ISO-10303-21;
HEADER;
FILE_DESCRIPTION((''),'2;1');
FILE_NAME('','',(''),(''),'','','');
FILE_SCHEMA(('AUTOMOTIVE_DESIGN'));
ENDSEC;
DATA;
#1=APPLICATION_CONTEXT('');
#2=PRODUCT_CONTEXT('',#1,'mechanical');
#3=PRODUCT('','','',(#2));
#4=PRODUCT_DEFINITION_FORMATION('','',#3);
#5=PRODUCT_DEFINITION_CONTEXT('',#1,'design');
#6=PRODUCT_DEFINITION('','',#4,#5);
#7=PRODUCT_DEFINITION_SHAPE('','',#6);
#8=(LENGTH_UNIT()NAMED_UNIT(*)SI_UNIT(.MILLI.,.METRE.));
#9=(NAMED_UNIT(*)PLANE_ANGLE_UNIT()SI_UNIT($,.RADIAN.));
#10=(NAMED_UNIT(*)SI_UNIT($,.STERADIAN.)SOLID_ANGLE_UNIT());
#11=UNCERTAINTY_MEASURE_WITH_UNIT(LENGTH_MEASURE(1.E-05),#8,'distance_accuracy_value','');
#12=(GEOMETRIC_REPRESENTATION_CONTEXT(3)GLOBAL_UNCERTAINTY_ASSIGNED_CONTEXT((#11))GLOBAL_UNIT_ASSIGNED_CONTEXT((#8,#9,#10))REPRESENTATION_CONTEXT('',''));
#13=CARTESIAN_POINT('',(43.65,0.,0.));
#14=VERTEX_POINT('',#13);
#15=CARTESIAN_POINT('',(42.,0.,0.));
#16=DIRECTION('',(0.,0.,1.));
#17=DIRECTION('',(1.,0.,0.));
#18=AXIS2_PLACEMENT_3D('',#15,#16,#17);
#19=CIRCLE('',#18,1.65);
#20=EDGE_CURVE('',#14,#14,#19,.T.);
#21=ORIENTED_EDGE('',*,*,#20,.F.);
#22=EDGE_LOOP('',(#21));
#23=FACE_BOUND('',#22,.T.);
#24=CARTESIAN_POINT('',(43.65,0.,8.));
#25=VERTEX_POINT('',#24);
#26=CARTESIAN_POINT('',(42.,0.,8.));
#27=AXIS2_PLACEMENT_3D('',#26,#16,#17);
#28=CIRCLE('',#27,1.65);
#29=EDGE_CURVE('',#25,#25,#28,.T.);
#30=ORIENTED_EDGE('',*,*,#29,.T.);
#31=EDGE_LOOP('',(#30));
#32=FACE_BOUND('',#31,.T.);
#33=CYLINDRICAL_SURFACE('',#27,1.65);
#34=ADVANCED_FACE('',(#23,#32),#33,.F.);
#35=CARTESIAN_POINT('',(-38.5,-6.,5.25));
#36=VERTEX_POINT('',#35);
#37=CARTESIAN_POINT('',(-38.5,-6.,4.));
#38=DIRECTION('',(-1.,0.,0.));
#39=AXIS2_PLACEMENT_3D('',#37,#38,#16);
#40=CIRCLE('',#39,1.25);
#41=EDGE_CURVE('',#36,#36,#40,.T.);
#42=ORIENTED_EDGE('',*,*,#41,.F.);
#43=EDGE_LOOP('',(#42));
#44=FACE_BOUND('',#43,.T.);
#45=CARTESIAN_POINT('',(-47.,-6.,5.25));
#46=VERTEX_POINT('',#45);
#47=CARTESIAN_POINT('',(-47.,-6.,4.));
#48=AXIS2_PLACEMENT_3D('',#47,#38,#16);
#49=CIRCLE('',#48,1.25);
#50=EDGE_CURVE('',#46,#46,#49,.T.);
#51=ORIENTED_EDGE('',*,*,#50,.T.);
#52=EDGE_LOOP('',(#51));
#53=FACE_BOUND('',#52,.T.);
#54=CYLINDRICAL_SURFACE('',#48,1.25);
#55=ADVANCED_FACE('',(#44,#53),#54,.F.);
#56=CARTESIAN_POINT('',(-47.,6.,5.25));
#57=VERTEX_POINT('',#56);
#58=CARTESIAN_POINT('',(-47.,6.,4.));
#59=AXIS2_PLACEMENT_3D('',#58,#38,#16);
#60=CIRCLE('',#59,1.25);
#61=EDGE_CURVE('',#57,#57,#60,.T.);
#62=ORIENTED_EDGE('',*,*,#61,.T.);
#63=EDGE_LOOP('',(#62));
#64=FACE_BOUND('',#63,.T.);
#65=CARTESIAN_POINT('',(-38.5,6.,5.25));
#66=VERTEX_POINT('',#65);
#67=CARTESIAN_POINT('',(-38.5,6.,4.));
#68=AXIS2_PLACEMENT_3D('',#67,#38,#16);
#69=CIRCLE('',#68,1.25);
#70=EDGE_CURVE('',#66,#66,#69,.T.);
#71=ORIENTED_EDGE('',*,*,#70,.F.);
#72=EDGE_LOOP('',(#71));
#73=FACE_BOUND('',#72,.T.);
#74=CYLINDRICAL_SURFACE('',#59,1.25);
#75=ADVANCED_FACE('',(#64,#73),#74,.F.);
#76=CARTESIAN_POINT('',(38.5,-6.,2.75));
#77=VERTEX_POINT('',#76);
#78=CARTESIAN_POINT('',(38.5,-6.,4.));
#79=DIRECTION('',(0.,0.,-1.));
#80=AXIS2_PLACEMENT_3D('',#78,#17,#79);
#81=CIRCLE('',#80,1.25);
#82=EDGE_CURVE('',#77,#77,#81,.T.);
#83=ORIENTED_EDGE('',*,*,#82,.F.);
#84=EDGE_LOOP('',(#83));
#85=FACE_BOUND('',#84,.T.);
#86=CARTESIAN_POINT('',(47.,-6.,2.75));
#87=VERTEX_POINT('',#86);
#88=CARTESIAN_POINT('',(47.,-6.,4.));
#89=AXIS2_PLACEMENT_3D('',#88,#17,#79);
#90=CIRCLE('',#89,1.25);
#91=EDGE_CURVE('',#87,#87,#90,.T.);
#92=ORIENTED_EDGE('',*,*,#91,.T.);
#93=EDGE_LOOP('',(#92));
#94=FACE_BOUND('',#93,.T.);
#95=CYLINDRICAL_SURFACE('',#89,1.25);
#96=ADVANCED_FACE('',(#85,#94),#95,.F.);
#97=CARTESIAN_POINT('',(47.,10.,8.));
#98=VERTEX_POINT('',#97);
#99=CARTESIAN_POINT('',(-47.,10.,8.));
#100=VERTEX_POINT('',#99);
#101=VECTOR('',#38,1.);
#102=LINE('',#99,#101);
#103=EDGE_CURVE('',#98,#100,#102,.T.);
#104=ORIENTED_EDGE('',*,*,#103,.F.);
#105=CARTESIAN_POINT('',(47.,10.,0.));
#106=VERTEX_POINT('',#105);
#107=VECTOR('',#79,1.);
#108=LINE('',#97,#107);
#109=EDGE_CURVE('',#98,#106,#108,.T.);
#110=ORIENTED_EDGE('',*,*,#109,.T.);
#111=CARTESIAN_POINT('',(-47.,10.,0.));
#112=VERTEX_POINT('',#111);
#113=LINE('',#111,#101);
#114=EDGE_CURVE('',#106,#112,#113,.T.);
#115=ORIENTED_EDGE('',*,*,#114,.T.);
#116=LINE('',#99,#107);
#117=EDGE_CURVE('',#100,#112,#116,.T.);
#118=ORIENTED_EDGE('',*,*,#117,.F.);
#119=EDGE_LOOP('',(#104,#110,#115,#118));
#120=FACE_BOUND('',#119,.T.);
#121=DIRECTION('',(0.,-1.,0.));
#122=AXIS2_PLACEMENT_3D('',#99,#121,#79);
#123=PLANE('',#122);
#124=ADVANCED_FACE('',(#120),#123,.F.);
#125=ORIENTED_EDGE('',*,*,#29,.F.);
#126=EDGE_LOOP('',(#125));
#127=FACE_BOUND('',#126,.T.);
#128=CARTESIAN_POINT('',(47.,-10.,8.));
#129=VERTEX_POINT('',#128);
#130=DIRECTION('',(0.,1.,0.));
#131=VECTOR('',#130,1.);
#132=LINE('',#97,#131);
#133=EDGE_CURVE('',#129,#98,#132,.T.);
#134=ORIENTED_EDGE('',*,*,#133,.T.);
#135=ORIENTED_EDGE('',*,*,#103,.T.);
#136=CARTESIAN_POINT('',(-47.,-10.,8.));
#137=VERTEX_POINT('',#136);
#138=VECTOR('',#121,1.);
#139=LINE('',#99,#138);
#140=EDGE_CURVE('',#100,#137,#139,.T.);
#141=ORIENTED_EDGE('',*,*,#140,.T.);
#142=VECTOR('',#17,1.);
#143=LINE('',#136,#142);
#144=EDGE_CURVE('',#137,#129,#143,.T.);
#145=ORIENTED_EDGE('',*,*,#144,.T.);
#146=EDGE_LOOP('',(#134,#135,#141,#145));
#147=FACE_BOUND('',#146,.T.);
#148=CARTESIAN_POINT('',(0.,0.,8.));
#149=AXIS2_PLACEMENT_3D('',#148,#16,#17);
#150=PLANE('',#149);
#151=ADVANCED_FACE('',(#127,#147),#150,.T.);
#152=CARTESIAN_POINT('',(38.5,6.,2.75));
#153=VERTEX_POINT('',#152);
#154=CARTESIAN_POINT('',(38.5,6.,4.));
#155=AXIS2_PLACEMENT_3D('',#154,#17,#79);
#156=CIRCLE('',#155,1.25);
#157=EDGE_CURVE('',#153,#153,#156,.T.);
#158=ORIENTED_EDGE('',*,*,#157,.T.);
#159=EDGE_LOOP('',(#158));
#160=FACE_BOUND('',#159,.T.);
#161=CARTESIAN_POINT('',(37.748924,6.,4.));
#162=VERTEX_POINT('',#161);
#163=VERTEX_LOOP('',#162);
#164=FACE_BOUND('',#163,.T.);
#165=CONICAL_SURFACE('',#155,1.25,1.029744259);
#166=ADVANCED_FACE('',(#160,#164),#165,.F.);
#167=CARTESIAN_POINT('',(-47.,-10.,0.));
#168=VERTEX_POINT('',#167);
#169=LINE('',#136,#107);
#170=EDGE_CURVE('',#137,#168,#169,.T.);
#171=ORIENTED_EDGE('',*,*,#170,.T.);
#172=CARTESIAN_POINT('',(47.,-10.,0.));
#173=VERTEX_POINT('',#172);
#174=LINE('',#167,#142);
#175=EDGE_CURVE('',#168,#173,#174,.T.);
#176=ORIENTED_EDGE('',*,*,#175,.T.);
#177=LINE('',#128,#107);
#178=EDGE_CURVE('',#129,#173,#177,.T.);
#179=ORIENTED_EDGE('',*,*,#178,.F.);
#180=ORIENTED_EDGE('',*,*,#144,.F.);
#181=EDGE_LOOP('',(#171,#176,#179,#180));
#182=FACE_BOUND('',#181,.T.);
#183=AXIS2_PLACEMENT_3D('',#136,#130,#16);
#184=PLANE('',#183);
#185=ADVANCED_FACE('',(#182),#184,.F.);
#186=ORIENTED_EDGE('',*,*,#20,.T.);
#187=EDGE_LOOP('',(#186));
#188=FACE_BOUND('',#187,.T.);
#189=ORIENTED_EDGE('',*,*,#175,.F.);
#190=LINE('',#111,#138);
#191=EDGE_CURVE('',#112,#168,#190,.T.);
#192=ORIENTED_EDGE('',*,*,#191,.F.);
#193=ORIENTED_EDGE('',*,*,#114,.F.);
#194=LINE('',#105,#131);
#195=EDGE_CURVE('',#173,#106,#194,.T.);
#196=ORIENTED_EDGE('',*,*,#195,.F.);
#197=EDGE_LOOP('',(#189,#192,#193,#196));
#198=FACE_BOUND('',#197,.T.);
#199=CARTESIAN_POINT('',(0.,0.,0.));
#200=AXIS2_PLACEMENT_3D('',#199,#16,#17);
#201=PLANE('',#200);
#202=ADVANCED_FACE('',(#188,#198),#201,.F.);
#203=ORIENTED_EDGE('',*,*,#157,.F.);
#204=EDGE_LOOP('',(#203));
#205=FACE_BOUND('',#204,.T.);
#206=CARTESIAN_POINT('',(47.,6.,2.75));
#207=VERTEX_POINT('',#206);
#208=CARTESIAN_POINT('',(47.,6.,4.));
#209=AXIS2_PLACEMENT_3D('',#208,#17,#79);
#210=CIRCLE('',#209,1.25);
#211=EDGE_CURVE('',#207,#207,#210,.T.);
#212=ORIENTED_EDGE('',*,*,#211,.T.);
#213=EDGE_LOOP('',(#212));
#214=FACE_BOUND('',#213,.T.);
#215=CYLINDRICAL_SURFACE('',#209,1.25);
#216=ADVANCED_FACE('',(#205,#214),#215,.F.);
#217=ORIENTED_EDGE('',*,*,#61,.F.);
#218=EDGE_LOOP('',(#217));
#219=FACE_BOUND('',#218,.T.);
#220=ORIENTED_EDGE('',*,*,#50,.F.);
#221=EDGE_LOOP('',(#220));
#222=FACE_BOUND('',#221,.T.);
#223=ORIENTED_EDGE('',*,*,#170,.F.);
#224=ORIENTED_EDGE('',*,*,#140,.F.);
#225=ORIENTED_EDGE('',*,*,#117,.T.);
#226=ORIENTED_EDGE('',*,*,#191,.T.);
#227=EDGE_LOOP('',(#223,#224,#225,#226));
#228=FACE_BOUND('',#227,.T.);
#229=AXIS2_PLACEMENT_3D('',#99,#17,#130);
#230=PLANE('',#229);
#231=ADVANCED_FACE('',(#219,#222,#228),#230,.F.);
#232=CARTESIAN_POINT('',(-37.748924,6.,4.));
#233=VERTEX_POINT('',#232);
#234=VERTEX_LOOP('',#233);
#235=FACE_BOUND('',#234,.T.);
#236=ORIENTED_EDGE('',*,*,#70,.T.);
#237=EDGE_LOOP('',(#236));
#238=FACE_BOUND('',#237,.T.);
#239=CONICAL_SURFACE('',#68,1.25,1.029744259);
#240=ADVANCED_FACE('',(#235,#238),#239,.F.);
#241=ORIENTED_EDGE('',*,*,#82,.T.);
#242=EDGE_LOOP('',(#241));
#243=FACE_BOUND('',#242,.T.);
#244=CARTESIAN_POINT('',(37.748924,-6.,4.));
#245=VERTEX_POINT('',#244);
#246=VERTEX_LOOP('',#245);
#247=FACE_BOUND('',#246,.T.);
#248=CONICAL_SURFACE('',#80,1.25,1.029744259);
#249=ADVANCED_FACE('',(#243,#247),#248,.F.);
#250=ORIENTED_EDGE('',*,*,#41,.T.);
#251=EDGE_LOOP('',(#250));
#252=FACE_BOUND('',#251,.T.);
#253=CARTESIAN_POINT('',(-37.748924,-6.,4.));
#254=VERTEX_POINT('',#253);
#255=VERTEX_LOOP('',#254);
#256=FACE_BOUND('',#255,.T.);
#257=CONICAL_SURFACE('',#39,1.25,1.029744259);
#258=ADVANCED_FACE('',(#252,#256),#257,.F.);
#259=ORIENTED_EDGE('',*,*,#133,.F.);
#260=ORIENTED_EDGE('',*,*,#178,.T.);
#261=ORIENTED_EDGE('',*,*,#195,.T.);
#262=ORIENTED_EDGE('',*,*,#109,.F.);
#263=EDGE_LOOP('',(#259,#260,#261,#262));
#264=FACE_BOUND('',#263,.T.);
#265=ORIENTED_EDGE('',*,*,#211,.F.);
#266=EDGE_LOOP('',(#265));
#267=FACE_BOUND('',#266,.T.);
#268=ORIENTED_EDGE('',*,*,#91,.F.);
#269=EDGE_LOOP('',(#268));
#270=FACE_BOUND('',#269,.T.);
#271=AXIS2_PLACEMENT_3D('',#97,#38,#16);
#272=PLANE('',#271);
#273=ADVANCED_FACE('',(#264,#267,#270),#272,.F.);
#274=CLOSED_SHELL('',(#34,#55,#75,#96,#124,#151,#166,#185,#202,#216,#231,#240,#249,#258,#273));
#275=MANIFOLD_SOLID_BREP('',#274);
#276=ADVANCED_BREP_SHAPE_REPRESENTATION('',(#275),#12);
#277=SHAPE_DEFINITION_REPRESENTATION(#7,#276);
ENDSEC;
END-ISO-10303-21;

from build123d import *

# Parameters (mm, degrees)
SKETCH_1_W                      = 94
SKETCH_1_H                      = 20
EXTRUDE_1_DEPTH                 = 8
M4_ALTADJUST_D                  = 3.3
M4_ALTADJUST_DEPTH              = 8
M3_HORIZONTALBAR_FIX_AT_2_COUNT = 2
M3_HORIZONTALBAR_FIX_AT_2_PITCH = 12


with BuildPart() as part:
    # 스케치1 → 보스-돌출1 (new body)
    with BuildSketch(Plane.XY):
        Rectangle(SKETCH_1_W, SKETCH_1_H)
    extrude(amount=EXTRUDE_1_DEPTH)

    # M4-ALTADJUST
    with Locations(Plane.XY.offset(8)):
        with Locations((42, 0)):
            Hole(M4_ALTADJUST_D / 2, depth=M4_ALTADJUST_DEPTH)

    # 스케치5 → M3-HORIZONTALBAR_FIX (revolve, cut)
    with BuildSketch(Plane(origin=(47, 6, 4), x_dir=(0, 0, -1), z_dir=(0, 1, 0))):
        Polygon((0, 0), (0, 9.251075774), (1.25, 8.5), (1.25, 0), align=None)
    m3_horizontalbar_fix = revolve(axis=Axis((53.35, 6, 4), (-1, 0, 0)), mode=Mode.SUBTRACT)

    # M3-HORIZONTALBAR_FIX at 2: M3-HORIZONTALBAR_FIX ×2
    with Locations(*[(0, -i * M3_HORIZONTALBAR_FIX_AT_2_PITCH, 0) for i in range(1, M3_HORIZONTALBAR_FIX_AT_2_COUNT)]):
        add(m3_horizontalbar_fix, mode=Mode.SUBTRACT)

    # 대칭 복사1: M3-HORIZONTALBAR_FIX across plane
    add(m3_horizontalbar_fix.mirror(Plane(origin=(0, 0, 0), x_dir=(0, 0, 1), z_dir=(1, 0, 0))), mode=Mode.SUBTRACT)

    # 대칭 복사1 copy 1 sketch → 대칭 복사1 copy 1 (revolve, cut)
    with BuildSketch(Plane(origin=(-47, -6, 4), x_dir=(0, 0, -1), z_dir=(0, 1, 0))):
        Polygon((0, 0), (0, -9.251075774), (1.25, -8.5), (1.25, 0), align=None)
    revolve(axis=Axis((-53.35, -6, 4), (-1, 0, 0)), mode=Mode.SUBTRACT)


solid = part.part
